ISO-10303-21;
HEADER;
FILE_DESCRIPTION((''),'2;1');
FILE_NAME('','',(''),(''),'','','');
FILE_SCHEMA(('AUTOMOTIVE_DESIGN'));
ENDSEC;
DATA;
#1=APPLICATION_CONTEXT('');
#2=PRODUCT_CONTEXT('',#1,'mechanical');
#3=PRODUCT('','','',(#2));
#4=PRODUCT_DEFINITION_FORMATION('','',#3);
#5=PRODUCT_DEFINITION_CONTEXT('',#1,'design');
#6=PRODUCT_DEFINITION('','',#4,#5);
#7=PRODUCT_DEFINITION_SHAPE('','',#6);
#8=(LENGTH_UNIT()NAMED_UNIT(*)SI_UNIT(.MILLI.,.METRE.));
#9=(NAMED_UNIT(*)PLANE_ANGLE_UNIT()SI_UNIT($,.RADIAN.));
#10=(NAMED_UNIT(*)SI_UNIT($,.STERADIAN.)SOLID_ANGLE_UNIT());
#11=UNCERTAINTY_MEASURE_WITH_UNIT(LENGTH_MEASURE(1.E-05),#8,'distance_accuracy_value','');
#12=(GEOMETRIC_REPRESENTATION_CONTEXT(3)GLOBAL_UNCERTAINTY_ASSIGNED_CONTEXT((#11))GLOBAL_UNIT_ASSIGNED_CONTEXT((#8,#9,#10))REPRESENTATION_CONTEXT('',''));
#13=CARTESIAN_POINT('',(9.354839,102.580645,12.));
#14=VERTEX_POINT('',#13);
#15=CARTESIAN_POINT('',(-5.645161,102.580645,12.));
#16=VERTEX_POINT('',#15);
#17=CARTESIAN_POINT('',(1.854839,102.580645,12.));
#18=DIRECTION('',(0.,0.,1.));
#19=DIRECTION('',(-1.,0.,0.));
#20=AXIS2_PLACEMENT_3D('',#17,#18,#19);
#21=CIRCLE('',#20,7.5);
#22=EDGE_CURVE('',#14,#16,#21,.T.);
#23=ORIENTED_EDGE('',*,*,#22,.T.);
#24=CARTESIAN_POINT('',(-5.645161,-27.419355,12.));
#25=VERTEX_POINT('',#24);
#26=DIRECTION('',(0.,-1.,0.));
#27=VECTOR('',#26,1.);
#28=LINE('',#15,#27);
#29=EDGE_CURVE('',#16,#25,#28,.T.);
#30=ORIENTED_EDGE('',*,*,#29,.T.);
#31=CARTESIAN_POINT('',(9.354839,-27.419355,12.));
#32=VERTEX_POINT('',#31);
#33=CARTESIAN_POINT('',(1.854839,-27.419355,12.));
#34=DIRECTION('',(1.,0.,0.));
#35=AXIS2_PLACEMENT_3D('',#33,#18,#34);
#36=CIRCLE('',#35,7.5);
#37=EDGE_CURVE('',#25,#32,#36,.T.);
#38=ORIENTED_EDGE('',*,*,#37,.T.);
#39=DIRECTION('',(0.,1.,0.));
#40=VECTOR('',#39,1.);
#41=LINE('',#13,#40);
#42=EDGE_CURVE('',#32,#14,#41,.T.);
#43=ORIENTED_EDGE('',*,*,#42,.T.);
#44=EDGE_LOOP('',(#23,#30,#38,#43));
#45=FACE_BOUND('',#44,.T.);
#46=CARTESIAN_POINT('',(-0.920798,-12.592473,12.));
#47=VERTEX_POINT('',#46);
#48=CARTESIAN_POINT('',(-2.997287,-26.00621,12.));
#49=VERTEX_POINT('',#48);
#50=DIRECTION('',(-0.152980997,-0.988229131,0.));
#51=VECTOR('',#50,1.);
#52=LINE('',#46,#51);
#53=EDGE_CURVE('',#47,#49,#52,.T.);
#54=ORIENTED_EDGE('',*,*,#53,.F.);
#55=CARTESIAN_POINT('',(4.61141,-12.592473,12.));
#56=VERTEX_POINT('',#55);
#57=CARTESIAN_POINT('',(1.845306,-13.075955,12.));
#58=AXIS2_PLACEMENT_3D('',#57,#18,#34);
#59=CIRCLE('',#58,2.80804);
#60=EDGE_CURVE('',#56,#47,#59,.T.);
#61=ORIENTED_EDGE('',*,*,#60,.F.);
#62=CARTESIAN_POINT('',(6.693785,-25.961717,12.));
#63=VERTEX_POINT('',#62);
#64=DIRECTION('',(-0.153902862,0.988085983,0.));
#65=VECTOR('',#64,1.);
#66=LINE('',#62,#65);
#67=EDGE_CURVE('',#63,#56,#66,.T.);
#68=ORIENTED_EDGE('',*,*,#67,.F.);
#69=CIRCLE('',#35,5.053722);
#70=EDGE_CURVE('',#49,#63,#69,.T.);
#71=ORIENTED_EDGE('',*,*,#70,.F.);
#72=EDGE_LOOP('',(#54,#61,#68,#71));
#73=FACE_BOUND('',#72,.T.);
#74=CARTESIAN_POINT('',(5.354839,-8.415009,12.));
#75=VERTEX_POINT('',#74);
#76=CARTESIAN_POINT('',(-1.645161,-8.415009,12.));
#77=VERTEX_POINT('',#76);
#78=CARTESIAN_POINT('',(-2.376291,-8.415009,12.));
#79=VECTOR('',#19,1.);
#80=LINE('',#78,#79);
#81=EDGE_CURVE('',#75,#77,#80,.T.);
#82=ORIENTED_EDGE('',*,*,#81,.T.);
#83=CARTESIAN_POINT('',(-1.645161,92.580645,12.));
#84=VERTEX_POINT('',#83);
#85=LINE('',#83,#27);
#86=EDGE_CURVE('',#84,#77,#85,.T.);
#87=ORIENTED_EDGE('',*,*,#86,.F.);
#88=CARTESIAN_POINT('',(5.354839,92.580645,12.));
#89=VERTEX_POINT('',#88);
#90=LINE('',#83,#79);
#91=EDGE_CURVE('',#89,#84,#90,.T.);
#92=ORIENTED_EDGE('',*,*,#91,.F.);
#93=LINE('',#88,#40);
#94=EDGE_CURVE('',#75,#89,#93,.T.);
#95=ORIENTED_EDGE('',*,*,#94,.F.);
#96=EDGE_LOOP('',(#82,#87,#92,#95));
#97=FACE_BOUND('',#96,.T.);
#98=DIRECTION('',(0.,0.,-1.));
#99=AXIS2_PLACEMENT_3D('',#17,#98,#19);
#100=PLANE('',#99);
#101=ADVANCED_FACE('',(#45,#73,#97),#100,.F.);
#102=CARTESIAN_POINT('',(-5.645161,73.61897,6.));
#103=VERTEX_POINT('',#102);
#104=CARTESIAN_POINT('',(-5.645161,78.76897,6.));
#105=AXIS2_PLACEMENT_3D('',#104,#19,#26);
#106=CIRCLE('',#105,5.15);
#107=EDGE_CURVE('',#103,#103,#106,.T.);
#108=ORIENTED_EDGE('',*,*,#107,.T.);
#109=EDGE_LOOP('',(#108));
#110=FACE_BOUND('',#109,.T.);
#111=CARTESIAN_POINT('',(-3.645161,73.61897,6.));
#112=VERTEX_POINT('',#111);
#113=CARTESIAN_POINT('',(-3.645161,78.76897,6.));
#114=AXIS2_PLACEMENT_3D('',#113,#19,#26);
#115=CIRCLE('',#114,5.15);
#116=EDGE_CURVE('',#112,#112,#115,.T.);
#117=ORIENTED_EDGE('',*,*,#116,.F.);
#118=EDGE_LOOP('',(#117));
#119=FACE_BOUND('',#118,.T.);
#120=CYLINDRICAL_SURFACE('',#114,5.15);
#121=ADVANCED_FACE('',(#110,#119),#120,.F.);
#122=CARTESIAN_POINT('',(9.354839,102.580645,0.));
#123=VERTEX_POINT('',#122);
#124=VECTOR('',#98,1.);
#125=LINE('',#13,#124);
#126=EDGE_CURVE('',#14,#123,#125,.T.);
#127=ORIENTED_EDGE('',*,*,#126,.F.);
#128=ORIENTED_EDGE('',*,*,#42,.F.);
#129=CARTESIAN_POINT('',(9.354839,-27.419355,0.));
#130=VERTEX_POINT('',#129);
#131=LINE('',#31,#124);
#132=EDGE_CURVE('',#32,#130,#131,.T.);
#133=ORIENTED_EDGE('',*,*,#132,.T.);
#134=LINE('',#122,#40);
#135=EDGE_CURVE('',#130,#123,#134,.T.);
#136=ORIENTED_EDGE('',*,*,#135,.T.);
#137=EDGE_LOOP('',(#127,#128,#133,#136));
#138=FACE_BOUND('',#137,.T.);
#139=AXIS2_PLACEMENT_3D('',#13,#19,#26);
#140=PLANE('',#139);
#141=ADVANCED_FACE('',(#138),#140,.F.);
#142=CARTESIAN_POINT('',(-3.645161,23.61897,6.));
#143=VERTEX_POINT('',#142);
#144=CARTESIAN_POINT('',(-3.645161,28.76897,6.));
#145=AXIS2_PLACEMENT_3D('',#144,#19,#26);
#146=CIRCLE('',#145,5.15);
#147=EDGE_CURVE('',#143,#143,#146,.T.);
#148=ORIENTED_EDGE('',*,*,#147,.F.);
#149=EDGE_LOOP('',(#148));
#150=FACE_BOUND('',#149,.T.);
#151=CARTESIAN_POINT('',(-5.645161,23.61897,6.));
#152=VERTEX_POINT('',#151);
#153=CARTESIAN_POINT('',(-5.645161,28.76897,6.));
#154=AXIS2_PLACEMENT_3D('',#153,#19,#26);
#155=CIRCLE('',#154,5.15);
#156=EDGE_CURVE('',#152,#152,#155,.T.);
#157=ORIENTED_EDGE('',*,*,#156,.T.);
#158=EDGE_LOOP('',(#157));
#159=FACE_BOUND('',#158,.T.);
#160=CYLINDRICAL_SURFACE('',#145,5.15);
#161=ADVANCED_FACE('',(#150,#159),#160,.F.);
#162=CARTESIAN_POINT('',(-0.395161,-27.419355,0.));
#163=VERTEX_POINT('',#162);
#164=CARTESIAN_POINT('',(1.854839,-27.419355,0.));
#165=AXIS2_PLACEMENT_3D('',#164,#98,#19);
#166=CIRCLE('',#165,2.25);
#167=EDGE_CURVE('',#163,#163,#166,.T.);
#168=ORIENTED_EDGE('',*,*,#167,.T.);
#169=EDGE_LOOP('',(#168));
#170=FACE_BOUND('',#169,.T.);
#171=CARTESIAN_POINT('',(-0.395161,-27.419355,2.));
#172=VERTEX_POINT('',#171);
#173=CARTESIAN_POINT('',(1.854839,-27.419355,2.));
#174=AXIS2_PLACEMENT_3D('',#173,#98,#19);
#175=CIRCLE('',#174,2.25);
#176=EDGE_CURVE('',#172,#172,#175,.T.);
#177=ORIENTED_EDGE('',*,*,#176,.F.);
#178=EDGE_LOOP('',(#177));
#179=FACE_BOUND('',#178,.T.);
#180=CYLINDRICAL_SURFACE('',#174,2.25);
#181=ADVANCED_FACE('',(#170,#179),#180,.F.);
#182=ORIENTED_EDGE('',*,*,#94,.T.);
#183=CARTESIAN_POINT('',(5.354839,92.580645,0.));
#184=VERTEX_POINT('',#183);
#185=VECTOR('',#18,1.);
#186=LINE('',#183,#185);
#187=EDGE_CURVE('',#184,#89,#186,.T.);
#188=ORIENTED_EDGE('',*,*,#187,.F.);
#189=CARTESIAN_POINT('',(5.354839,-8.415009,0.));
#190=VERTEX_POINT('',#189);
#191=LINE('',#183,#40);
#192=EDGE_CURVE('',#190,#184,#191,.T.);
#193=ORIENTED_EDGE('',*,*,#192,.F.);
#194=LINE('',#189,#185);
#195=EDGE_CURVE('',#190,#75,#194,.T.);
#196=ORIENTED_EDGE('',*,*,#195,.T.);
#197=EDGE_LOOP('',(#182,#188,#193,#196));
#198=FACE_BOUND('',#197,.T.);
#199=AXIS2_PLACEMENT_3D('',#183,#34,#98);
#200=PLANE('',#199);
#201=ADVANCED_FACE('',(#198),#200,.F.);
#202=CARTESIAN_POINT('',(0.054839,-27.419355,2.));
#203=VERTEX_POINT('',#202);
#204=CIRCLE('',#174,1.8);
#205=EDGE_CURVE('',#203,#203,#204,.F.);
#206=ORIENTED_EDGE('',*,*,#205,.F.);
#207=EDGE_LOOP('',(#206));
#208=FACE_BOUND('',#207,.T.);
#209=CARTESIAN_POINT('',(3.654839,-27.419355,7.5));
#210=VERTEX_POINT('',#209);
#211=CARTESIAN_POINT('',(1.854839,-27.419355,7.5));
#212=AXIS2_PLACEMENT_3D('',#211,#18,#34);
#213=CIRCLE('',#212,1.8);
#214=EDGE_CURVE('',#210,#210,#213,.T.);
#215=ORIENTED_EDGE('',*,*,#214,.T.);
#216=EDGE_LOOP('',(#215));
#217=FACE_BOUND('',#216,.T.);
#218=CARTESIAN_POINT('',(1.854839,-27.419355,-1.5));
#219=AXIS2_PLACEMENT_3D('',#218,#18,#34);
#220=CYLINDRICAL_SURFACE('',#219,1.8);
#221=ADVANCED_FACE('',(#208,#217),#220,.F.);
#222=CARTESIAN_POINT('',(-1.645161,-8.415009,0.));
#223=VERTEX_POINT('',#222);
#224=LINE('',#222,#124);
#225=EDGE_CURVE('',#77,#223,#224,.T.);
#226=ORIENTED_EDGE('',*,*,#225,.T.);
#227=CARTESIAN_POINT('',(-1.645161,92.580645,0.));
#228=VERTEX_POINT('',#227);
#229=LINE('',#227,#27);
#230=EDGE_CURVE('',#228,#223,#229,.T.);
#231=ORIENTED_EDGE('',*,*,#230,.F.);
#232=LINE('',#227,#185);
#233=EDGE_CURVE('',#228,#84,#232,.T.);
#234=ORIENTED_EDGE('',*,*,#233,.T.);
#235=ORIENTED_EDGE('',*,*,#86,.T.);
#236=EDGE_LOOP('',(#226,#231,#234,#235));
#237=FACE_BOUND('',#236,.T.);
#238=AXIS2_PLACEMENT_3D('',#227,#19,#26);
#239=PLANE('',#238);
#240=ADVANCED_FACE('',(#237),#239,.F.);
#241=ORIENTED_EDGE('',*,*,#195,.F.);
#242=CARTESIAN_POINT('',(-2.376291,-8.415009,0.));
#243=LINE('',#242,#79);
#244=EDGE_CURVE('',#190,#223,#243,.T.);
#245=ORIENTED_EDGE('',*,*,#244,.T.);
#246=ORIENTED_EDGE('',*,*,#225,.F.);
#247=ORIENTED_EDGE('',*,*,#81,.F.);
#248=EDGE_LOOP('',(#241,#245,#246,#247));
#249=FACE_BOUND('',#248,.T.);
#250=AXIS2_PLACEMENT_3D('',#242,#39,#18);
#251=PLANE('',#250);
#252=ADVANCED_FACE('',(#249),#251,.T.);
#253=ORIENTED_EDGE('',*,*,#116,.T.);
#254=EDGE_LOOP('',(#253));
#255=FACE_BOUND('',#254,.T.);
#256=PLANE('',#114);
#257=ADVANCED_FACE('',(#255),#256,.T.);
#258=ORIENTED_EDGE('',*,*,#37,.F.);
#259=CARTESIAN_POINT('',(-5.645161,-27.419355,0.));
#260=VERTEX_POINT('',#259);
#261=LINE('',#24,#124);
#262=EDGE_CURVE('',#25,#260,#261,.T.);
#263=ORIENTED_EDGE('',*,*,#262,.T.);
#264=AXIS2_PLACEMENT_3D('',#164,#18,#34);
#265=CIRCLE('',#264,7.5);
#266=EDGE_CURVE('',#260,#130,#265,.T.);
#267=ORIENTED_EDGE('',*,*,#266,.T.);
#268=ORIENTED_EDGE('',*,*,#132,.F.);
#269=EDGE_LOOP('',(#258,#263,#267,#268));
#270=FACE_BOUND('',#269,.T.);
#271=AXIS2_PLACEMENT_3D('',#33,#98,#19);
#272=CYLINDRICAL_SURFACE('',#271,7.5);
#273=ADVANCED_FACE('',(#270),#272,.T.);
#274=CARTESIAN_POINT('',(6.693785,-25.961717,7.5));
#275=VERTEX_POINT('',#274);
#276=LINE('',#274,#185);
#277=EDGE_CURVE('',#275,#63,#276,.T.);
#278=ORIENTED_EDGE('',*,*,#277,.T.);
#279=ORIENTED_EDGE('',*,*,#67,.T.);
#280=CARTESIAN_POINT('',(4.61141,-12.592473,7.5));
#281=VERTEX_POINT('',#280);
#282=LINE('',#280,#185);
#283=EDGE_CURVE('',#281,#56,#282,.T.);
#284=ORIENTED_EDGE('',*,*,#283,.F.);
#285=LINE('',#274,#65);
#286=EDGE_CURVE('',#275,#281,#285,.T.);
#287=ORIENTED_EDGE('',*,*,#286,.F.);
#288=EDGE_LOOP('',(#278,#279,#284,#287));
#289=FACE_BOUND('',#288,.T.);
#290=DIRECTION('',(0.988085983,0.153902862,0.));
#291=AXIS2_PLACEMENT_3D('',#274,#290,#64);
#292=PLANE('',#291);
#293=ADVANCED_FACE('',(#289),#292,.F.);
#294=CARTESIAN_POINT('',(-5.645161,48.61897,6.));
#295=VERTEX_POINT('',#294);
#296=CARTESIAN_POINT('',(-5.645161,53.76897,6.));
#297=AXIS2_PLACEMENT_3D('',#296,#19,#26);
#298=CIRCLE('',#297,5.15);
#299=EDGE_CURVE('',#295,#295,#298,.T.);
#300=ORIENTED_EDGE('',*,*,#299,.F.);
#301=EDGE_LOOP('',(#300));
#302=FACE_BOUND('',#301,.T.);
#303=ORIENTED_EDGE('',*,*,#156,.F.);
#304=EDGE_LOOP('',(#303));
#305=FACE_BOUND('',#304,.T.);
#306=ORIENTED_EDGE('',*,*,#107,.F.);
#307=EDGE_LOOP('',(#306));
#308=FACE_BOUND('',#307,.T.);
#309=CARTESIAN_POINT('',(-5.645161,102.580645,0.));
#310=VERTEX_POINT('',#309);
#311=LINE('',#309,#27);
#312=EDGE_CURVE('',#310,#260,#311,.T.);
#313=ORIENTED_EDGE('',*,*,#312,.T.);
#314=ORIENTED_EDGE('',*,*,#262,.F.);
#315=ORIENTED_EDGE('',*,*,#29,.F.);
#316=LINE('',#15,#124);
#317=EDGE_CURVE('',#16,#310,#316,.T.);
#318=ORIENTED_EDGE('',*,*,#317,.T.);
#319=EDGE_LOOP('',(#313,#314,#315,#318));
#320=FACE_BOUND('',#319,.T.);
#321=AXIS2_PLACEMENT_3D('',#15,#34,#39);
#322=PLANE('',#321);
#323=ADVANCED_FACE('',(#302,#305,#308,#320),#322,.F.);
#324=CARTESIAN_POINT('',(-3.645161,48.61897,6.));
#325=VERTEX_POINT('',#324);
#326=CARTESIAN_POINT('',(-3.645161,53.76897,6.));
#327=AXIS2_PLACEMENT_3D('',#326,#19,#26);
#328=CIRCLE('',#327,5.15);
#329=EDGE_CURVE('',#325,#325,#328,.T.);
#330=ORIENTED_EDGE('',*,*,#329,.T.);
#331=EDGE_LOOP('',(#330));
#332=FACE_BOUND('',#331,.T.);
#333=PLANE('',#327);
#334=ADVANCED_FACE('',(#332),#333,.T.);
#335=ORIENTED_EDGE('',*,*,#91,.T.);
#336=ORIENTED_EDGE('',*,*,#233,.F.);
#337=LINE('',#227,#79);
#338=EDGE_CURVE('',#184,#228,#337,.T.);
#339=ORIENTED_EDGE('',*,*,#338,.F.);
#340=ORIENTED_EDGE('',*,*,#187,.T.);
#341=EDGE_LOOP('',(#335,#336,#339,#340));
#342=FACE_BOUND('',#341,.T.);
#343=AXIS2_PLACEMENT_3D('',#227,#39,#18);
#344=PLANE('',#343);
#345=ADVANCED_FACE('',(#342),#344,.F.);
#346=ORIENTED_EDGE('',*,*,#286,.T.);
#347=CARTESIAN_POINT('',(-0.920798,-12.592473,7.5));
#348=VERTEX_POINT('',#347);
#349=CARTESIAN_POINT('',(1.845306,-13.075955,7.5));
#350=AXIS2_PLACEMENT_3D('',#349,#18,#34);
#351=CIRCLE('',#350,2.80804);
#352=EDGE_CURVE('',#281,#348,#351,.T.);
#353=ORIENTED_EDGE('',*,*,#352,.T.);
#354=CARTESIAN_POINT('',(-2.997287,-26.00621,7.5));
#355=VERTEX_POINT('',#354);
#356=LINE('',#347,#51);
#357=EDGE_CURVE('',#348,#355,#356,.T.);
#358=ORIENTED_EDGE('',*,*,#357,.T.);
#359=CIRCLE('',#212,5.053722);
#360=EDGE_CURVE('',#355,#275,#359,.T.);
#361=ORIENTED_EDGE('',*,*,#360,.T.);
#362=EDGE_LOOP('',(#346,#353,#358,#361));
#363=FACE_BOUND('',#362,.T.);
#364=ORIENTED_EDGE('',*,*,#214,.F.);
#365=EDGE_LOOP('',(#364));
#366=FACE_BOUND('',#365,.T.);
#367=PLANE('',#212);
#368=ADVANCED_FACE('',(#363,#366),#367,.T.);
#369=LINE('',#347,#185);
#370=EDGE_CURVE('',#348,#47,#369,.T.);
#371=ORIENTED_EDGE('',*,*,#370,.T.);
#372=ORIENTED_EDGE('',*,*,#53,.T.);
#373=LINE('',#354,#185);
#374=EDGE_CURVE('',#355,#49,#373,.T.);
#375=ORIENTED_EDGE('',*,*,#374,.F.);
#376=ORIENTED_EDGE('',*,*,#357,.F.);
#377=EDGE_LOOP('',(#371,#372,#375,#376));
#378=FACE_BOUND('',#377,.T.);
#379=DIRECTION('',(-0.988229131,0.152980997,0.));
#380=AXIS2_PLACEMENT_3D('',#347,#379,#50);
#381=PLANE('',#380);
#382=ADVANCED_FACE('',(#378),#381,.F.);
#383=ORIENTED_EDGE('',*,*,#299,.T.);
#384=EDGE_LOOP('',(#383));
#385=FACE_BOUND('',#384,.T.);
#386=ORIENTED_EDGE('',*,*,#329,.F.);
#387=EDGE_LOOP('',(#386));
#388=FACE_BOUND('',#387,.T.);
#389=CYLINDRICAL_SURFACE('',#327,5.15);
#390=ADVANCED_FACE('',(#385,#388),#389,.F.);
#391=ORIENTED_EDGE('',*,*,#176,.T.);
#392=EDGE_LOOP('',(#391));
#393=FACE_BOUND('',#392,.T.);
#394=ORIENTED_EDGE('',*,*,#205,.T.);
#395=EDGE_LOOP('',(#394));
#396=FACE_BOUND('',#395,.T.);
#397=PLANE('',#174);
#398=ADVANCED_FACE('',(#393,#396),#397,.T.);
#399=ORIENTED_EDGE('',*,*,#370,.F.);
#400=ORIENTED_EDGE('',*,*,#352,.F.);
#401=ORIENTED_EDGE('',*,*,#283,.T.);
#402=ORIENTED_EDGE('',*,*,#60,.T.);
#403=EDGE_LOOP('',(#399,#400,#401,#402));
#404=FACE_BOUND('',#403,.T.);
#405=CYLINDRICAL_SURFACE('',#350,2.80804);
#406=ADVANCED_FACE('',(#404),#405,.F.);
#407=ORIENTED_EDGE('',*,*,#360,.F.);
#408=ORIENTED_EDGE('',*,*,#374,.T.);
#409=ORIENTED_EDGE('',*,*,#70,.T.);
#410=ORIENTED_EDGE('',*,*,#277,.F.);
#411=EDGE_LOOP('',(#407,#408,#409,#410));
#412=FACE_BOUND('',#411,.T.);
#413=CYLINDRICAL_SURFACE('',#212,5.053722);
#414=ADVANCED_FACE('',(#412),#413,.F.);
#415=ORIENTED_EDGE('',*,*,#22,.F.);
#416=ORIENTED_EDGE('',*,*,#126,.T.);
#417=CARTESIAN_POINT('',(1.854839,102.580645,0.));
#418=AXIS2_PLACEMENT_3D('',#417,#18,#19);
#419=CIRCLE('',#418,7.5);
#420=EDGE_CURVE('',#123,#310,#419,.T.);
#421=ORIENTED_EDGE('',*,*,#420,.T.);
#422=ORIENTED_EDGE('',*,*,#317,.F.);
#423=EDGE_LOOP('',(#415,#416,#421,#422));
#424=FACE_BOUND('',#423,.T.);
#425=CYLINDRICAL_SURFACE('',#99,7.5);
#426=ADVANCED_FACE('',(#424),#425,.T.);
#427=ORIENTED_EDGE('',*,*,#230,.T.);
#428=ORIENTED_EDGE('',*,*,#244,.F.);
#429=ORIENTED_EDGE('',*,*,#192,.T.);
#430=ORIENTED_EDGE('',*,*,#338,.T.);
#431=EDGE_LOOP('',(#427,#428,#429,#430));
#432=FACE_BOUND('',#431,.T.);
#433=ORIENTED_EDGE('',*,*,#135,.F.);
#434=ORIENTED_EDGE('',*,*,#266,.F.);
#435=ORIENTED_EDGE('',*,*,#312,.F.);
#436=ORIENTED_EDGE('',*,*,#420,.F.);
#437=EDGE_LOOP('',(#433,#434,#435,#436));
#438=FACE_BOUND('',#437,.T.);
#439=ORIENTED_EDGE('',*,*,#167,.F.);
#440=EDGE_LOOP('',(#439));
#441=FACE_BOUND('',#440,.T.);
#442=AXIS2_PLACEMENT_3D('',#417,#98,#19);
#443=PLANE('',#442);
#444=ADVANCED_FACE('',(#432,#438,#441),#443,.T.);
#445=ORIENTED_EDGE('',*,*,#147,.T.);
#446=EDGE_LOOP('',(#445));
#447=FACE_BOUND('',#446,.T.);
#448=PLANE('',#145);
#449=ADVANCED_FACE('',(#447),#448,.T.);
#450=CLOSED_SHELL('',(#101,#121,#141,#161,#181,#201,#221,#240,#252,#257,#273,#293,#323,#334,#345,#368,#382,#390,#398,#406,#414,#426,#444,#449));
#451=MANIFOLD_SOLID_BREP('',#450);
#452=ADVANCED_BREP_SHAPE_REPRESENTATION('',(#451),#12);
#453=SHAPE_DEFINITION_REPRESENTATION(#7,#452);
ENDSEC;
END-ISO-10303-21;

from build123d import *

# Parameters (mm, degrees)
BOSS_EXTRUDE1_DEPTH = 12
SKETCH5_W           = 7
SKETCH5_H           = 112.5
CUT_EXTRUDE3_DEPTH  = 12
SKETCH6_R           = 5.15
CUT_EXTRUDE4_DEPTH  = 2
SKETCH7_W           = 9.454853554
SKETCH7_H           = 12.627623204
BOSS_EXTRUDE2_DEPTH = 12
SKETCH8_R           = 1.8
CUT_EXTRUDE5_DEPTH  = 4.5
SKETCH9_R           = 1.8
CUT_EXTRUDE6_DEPTH  = 13.5
SKETCH10_R          = 2.25
CUT_EXTRUDE7_DEPTH  = 2


with BuildPart() as part:
    # Sketch1 → Boss-Extrude1 (new body)
    with BuildSketch(Plane.XY):
        with BuildLine():
            Line((-5.64516129, 102.580645161), (-5.64516129, -27.419354839))
            ThreePointArc((-5.64516129, -27.419354839), (1.85483871, -34.919354839), (9.35483871, -27.419354839))
            Line((9.35483871, -27.419354839), (9.35483871, 102.580645161))
            ThreePointArc((9.35483871, 102.580645161), (1.85483871, 110.080645161), (-5.64516129, 102.580645161))
        make_face()
    extrude(amount=BOSS_EXTRUDE1_DEPTH)

    # Sketch5 → Cut-Extrude3 (cut)
    with BuildSketch(Plane.XY.offset(12)):
        with Locations((1.85483871, 36.330645161)):
            Rectangle(SKETCH5_W, SKETCH5_H)
    extrude(amount=-CUT_EXTRUDE3_DEPTH, mode=Mode.SUBTRACT)

    # Sketch6 → Cut-Extrude4 (cut)
    with BuildSketch(Plane.ZY.offset(5.64516129)):
        with Locations((6, 78.768969581)):
            Circle(SKETCH6_R)
        with Locations((6, 53.768969581)):
            Circle(SKETCH6_R)
        with Locations((6, 28.768969581)):
            Circle(SKETCH6_R)
    extrude(amount=-CUT_EXTRUDE4_DEPTH, mode=Mode.SUBTRACT)

    # Sketch7 → Boss-Extrude2 (add)
    with BuildSketch(Plane.XY.offset(12)):
        with Locations((2.35113594, -14.728820961)):
            Rectangle(SKETCH7_W, SKETCH7_H)
    extrude(amount=-BOSS_EXTRUDE2_DEPTH)

    # Sketch8 → Cut-Extrude5 (cut)
    with BuildSketch(Plane.XY.offset(12)):
        with BuildLine():
            Line((6.693784724, -25.961716652), (4.61141034, -12.592472516))
            ThreePointArc((4.61141034, -12.592472516), (1.845305929, -10.267914611), (-0.920798482, -12.592472516))
            Line((-0.920798482, -12.592472516), (-2.997287431, -26.006209578))
            ThreePointArc((-2.997287431, -26.006209578), (1.878040737, -32.473023732), (6.693784724, -25.961716652))
        make_face()
        with Locations((1.85483871, -27.419354839)):
            Circle(SKETCH8_R, mode=Mode.SUBTRACT)
    extrude(amount=-CUT_EXTRUDE5_DEPTH, mode=Mode.SUBTRACT)

    # Sketch9 → Cut-Extrude6 (cut)
    with BuildSketch(Plane.XY.offset(12)):
        with Locations((1.85483871, -27.419354839)):
            Circle(SKETCH9_R)
    extrude(amount=-CUT_EXTRUDE6_DEPTH, mode=Mode.SUBTRACT)

    # Sketch10 → Cut-Extrude7 (cut)
    with BuildSketch(Plane(origin=(0, 0, 0), x_dir=(-1, 0, 0), z_dir=(0, 0, -1))):
        with Locations((-1.85483871, -27.419354839)):
            Circle(SKETCH10_R)
    extrude(amount=-CUT_EXTRUDE7_DEPTH, mode=Mode.SUBTRACT)


solid = part.part
